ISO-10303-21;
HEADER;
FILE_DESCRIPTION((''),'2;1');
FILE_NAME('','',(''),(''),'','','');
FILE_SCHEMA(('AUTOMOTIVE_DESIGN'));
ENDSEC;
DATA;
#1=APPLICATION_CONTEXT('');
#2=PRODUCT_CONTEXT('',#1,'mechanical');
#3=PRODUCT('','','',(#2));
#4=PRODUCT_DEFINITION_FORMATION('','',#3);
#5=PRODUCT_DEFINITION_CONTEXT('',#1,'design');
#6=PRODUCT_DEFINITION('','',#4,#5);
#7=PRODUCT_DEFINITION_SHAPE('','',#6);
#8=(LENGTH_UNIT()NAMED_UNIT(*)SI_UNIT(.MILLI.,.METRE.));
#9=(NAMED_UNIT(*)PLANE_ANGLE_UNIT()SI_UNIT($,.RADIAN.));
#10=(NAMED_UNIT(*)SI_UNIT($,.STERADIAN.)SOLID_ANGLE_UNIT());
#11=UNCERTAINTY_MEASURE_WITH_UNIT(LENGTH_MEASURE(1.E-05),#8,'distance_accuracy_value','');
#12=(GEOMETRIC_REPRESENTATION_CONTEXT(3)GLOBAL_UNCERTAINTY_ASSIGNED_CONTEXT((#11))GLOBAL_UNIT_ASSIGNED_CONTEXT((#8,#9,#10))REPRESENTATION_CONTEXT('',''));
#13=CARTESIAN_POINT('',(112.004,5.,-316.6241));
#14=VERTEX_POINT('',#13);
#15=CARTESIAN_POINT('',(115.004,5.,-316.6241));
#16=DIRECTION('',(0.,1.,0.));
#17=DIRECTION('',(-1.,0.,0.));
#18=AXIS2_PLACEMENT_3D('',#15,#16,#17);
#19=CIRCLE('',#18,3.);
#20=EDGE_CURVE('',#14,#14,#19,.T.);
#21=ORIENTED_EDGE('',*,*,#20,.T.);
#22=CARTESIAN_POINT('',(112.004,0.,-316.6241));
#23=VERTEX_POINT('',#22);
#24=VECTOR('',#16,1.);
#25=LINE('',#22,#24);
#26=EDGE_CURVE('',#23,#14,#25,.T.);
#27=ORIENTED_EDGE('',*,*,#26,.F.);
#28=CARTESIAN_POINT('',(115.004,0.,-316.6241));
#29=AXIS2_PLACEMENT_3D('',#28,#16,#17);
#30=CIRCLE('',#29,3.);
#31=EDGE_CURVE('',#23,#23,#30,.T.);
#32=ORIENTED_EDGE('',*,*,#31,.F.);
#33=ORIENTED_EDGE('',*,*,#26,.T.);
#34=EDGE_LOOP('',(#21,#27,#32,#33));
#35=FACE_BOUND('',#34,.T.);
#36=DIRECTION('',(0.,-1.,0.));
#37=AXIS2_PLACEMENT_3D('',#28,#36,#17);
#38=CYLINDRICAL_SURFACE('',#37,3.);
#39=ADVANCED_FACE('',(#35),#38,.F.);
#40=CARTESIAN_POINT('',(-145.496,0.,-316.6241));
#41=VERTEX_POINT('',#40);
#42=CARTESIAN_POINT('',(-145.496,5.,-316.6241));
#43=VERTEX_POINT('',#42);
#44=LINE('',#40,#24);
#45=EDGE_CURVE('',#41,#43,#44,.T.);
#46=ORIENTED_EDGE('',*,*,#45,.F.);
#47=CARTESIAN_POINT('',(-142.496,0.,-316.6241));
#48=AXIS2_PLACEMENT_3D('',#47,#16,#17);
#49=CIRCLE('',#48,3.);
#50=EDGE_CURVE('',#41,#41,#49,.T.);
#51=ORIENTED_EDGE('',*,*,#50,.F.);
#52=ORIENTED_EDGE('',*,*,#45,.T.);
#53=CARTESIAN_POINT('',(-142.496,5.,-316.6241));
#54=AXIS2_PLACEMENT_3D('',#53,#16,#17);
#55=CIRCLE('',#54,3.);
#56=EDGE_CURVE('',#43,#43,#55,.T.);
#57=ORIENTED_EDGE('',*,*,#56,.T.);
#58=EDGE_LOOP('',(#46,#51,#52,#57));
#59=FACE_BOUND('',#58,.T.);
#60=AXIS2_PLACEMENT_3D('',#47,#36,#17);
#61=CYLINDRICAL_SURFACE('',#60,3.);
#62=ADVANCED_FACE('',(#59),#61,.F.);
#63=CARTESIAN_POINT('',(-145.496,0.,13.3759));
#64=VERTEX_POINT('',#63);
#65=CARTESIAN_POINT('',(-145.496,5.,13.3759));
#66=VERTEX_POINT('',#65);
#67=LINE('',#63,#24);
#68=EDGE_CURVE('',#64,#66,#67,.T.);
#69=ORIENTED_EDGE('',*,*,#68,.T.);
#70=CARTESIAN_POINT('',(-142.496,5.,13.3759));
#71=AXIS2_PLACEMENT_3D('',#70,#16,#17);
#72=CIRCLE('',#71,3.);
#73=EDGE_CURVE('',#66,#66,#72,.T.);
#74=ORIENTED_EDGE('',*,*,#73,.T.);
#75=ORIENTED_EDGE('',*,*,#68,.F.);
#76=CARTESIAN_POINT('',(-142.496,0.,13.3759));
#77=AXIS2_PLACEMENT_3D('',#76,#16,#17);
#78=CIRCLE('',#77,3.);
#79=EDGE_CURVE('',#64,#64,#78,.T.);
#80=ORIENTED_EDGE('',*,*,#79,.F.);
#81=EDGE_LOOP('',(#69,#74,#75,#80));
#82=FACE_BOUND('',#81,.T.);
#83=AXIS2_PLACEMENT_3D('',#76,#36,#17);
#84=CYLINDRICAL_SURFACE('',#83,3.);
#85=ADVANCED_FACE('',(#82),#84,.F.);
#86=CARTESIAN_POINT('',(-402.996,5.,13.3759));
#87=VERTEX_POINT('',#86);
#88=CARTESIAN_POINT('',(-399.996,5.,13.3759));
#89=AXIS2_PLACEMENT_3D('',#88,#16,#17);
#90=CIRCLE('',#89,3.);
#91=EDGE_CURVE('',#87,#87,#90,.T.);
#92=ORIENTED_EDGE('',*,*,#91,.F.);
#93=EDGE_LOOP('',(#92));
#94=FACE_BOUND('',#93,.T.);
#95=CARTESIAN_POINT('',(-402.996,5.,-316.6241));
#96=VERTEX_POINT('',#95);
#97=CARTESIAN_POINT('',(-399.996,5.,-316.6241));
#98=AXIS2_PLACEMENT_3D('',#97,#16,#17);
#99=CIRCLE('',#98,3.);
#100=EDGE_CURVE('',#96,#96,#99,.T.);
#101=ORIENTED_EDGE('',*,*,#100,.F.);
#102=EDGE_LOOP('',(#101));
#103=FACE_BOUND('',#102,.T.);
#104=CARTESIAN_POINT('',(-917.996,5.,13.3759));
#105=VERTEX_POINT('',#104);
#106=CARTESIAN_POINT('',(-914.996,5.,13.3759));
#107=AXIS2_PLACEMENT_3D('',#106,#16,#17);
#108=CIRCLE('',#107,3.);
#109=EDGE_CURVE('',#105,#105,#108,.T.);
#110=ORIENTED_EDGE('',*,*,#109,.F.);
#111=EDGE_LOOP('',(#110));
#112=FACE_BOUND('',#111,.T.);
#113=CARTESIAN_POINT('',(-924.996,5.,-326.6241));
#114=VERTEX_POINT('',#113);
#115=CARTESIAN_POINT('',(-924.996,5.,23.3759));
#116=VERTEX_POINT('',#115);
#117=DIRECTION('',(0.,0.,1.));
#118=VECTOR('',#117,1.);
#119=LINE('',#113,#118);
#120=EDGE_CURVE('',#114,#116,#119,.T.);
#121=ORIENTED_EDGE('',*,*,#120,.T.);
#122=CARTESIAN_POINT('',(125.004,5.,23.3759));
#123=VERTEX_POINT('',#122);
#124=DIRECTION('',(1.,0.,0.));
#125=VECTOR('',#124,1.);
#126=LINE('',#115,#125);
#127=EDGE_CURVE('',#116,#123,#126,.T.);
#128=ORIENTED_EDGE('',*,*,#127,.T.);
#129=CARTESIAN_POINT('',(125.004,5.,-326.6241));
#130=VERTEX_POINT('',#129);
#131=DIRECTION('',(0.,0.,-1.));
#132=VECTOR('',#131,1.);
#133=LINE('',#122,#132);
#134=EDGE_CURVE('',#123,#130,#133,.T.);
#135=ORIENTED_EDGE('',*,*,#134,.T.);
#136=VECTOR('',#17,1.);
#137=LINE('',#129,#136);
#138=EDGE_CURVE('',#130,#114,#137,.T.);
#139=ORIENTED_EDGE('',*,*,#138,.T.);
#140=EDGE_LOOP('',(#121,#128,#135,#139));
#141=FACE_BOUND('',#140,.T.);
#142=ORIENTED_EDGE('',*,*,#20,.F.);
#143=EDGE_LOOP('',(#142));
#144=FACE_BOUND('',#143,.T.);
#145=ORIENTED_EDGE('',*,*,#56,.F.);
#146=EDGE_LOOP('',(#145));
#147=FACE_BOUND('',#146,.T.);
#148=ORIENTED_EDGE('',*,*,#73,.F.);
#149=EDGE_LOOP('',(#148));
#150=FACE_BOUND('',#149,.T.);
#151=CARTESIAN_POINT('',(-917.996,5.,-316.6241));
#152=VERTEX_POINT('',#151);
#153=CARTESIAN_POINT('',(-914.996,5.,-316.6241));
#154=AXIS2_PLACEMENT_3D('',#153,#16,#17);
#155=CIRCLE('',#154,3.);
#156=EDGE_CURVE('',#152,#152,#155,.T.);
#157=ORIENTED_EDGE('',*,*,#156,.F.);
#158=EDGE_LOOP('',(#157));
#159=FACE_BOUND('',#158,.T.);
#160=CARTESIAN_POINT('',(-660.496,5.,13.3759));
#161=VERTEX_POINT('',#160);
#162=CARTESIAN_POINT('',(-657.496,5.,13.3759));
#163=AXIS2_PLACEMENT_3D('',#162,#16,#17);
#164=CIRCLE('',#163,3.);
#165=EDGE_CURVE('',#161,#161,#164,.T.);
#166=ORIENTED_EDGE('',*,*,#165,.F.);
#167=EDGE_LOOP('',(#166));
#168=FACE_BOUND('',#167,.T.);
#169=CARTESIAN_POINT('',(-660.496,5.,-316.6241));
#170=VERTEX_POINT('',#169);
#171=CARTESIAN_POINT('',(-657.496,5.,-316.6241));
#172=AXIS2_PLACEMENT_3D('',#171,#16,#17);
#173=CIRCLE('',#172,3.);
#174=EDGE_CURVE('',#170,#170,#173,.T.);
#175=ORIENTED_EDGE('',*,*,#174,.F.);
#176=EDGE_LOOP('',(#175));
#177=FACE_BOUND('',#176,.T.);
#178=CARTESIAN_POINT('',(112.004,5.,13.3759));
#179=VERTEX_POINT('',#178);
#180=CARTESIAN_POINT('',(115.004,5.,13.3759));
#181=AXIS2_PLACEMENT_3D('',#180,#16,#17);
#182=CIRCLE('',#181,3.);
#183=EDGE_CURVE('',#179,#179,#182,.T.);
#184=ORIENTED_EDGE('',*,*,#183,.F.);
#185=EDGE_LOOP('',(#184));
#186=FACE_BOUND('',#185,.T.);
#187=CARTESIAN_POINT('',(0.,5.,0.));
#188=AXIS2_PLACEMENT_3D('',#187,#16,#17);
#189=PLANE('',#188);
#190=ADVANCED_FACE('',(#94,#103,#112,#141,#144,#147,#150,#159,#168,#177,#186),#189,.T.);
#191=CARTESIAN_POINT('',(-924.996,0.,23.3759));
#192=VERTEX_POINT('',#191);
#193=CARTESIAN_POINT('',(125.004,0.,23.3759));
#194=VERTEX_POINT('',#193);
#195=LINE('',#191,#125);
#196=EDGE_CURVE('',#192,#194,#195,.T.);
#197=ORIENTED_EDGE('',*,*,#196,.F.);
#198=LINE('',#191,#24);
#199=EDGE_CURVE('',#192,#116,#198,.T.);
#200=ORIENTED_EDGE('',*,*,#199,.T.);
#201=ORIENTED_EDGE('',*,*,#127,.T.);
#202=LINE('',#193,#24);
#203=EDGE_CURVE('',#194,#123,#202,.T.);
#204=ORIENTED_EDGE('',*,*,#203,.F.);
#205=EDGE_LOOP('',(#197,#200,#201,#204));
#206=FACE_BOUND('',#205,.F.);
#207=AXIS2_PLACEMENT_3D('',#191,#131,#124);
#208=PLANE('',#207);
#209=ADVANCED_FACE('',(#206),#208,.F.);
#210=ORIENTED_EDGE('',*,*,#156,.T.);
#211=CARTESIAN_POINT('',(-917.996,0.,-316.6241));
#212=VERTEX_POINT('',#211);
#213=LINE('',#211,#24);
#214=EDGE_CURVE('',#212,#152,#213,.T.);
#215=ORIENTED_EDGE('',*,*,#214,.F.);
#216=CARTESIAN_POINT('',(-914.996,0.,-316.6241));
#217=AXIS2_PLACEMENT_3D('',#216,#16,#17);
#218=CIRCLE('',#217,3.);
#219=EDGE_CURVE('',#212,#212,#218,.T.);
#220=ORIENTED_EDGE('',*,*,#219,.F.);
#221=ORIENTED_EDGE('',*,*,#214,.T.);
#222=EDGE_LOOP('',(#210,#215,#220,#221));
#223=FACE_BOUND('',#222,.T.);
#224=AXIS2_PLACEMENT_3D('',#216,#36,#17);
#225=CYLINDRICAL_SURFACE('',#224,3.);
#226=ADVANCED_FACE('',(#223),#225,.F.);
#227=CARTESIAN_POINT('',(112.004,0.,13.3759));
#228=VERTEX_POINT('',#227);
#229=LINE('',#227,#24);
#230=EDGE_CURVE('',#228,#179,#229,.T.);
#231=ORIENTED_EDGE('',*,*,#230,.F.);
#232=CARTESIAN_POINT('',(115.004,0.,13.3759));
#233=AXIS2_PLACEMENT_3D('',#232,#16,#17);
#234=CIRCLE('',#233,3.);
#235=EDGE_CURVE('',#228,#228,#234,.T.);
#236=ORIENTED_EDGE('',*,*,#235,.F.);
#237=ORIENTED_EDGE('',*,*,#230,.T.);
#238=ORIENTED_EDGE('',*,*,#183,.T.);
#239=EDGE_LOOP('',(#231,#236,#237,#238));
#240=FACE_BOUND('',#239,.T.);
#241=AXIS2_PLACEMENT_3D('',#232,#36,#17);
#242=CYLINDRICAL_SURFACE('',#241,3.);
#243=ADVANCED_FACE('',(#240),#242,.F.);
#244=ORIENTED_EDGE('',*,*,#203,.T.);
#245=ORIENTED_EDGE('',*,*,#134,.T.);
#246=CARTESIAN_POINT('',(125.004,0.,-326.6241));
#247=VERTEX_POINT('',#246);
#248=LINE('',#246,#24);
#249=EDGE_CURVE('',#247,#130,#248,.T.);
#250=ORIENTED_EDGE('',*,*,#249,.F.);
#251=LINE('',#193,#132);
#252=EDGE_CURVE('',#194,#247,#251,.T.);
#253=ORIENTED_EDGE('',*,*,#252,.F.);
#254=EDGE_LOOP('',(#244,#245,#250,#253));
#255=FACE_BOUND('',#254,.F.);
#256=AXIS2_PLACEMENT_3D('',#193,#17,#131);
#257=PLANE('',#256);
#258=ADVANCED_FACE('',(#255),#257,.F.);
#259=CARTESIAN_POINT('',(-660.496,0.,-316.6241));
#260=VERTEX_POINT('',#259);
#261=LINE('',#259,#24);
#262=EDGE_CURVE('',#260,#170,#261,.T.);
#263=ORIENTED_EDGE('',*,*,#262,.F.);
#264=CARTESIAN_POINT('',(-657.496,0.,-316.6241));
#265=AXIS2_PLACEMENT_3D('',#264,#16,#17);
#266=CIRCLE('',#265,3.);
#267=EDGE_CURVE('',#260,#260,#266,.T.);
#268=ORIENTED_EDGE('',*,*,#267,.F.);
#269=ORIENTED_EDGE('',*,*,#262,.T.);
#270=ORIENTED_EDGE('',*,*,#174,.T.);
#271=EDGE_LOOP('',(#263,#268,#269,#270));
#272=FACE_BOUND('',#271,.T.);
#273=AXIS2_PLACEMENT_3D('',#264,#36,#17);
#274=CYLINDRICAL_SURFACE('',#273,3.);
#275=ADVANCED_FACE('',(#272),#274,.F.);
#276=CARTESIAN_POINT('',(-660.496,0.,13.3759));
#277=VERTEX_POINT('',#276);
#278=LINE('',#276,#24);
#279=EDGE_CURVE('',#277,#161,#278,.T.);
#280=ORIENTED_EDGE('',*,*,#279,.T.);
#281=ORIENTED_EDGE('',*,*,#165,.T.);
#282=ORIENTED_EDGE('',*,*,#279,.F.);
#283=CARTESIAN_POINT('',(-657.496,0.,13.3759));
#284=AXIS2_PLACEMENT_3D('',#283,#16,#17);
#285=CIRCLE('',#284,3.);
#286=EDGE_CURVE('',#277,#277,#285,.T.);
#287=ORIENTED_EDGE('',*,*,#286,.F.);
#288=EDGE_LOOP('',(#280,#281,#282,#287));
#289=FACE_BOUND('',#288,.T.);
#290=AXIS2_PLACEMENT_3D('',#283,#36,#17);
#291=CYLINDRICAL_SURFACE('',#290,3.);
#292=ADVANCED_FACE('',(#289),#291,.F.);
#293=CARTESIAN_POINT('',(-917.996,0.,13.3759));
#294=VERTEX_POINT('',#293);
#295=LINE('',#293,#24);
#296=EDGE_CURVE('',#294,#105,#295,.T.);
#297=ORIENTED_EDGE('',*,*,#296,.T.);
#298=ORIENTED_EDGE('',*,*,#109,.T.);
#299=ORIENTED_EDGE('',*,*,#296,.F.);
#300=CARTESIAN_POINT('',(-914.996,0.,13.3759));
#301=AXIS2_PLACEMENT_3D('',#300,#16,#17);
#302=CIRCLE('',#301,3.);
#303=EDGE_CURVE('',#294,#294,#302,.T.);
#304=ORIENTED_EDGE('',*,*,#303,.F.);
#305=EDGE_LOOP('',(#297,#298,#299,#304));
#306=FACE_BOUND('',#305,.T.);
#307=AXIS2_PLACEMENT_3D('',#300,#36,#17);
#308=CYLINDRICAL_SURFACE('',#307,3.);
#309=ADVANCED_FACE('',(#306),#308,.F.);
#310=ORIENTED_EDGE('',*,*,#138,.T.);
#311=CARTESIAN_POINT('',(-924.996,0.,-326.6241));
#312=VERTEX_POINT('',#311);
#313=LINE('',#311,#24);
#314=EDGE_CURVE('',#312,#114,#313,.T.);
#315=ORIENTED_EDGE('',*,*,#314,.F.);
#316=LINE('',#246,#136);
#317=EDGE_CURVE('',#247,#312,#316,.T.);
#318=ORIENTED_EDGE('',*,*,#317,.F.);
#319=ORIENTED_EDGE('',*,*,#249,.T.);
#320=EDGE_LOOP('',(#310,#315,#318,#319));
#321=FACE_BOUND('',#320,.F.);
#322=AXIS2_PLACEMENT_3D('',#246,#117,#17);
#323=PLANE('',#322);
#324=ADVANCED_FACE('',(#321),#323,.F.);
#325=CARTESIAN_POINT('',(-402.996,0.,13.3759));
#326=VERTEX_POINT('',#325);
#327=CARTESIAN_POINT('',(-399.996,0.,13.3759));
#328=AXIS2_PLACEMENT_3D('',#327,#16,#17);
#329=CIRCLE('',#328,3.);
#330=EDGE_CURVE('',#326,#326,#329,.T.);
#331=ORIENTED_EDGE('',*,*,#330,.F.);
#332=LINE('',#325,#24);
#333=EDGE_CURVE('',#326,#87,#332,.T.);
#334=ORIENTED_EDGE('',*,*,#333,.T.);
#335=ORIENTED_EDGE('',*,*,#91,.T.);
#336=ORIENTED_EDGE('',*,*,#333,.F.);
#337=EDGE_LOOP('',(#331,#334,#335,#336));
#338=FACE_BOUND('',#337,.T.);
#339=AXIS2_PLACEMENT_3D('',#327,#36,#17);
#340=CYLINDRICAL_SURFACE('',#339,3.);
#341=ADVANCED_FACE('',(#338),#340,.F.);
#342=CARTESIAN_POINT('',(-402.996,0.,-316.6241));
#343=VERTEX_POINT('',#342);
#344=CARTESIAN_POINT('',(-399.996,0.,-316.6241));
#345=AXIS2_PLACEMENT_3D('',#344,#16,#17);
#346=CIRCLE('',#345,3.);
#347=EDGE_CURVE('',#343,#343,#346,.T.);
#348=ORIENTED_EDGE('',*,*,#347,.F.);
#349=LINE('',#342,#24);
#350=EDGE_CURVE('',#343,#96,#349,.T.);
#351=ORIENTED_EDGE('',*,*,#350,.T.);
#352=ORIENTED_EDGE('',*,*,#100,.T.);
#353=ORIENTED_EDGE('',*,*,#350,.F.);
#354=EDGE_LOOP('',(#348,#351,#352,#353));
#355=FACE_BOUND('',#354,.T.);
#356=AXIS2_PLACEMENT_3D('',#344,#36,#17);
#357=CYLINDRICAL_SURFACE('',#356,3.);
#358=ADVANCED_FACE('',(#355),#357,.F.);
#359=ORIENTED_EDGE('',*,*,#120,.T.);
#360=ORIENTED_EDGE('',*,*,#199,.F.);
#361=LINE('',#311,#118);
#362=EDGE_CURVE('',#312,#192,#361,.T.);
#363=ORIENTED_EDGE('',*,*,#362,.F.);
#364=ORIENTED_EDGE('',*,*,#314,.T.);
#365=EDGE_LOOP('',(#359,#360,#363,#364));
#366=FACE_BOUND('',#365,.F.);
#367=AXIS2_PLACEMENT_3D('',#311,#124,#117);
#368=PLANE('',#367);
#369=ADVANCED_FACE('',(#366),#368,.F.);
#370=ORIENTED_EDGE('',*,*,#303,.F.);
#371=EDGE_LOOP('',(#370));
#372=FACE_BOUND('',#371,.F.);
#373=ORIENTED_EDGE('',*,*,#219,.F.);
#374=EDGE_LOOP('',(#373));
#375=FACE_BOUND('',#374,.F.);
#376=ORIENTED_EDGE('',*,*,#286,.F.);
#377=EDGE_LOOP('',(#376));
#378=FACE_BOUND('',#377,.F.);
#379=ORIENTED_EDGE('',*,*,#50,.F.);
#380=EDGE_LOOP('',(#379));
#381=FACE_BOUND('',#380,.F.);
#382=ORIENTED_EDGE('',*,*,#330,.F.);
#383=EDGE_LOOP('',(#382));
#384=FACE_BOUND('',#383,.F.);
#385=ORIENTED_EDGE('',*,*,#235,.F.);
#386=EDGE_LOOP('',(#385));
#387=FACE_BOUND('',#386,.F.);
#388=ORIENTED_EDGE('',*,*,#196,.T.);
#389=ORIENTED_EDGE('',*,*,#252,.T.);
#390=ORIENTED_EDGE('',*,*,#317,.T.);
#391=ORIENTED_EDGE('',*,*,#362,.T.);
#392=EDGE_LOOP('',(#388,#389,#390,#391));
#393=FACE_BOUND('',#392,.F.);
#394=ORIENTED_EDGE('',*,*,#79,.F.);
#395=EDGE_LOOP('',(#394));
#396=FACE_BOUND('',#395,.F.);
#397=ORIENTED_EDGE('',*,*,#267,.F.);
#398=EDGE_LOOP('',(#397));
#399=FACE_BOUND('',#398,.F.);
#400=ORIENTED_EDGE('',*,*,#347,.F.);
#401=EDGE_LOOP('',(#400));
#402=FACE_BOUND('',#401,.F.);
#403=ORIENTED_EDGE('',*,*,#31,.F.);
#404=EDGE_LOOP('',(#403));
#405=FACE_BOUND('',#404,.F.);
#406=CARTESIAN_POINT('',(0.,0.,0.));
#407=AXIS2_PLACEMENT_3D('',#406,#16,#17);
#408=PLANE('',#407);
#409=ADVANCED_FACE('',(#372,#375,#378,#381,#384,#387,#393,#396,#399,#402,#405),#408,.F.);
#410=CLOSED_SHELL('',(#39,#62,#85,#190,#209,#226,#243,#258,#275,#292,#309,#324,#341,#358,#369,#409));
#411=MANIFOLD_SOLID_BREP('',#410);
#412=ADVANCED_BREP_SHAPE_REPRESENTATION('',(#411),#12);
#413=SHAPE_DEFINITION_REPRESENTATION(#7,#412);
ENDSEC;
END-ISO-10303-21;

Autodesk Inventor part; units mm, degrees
ref_plane "YZ Plane" through (0, 0, 0) normal (1, 0, 0) x (0, 1, 0)
ref_plane "XZ Plane" through (0, 0, 0) normal (0, 1, 0) x (-1, 0, 0)
ref_plane "XY Plane" through (0, 0, 0) normal (0, 0, 1) x (1, 0, 0)
sketch "Sketch1" plane through (0, 0, 0) normal (0, 1, 0) x (-1, 0, 0)
  line L0 (-125.004, -326.6241) -> (924.996, -326.6241) projected
  line L1 (924.996, -326.6241) -> (924.996, 23.3759) projected
  line L2 (924.996, 23.3759) -> (-125.004, 23.3759) projected
  line L3 (-125.004, 23.3759) -> (-125.004, -326.6241) projected
  line L4 (924.996, 23.3759) -> (-125.004, 23.3759) projected
  line L5 (-125.004, 23.3759) -> (-125.004, -326.6241) projected
  line L6 (-125.004, -326.6241) -> (924.996, -326.6241) projected
  line L7 (924.996, -326.6241) -> (924.996, 23.3759) projected
  line L8 (-100.004, -1.6241) -> (899.996, -1.6241) projected
  line L9 (899.996, -1.6241) -> (899.996, -301.6241) projected
  line L10 (899.996, -301.6241) -> (-100.004, -301.6241) projected
  line L11 (-100.004, -301.6241) -> (-100.004, -1.6241) projected
  circle A0 centre (399.996, -316.6241) radius 3 projected
  circle A1 centre (914.996, -316.6241) radius 3 projected
  circle A2 centre (-115.004, -316.6241) radius 3 projected
  circle A3 centre (142.496, -316.6241) radius 3 projected
  circle A4 centre (399.996, 13.3759) radius 3 projected
  circle A5 centre (142.496, 13.3759) radius 3 projected
  circle A6 centre (-115.004, 13.3759) radius 3 projected
  circle A7 centre (657.496, 13.3759) radius 3 projected
  circle A8 centre (914.996, 13.3759) radius 3 projected
  circle A9 centre (657.496, -316.6241) radius 3 projected
  point P0 (0, 0)
extrude "Extrusion1" add sketch "Sketch1" along normal blind 5 contours L3 L2 L1 L0 | L8 L9 L10 L11
properties part number "base"
